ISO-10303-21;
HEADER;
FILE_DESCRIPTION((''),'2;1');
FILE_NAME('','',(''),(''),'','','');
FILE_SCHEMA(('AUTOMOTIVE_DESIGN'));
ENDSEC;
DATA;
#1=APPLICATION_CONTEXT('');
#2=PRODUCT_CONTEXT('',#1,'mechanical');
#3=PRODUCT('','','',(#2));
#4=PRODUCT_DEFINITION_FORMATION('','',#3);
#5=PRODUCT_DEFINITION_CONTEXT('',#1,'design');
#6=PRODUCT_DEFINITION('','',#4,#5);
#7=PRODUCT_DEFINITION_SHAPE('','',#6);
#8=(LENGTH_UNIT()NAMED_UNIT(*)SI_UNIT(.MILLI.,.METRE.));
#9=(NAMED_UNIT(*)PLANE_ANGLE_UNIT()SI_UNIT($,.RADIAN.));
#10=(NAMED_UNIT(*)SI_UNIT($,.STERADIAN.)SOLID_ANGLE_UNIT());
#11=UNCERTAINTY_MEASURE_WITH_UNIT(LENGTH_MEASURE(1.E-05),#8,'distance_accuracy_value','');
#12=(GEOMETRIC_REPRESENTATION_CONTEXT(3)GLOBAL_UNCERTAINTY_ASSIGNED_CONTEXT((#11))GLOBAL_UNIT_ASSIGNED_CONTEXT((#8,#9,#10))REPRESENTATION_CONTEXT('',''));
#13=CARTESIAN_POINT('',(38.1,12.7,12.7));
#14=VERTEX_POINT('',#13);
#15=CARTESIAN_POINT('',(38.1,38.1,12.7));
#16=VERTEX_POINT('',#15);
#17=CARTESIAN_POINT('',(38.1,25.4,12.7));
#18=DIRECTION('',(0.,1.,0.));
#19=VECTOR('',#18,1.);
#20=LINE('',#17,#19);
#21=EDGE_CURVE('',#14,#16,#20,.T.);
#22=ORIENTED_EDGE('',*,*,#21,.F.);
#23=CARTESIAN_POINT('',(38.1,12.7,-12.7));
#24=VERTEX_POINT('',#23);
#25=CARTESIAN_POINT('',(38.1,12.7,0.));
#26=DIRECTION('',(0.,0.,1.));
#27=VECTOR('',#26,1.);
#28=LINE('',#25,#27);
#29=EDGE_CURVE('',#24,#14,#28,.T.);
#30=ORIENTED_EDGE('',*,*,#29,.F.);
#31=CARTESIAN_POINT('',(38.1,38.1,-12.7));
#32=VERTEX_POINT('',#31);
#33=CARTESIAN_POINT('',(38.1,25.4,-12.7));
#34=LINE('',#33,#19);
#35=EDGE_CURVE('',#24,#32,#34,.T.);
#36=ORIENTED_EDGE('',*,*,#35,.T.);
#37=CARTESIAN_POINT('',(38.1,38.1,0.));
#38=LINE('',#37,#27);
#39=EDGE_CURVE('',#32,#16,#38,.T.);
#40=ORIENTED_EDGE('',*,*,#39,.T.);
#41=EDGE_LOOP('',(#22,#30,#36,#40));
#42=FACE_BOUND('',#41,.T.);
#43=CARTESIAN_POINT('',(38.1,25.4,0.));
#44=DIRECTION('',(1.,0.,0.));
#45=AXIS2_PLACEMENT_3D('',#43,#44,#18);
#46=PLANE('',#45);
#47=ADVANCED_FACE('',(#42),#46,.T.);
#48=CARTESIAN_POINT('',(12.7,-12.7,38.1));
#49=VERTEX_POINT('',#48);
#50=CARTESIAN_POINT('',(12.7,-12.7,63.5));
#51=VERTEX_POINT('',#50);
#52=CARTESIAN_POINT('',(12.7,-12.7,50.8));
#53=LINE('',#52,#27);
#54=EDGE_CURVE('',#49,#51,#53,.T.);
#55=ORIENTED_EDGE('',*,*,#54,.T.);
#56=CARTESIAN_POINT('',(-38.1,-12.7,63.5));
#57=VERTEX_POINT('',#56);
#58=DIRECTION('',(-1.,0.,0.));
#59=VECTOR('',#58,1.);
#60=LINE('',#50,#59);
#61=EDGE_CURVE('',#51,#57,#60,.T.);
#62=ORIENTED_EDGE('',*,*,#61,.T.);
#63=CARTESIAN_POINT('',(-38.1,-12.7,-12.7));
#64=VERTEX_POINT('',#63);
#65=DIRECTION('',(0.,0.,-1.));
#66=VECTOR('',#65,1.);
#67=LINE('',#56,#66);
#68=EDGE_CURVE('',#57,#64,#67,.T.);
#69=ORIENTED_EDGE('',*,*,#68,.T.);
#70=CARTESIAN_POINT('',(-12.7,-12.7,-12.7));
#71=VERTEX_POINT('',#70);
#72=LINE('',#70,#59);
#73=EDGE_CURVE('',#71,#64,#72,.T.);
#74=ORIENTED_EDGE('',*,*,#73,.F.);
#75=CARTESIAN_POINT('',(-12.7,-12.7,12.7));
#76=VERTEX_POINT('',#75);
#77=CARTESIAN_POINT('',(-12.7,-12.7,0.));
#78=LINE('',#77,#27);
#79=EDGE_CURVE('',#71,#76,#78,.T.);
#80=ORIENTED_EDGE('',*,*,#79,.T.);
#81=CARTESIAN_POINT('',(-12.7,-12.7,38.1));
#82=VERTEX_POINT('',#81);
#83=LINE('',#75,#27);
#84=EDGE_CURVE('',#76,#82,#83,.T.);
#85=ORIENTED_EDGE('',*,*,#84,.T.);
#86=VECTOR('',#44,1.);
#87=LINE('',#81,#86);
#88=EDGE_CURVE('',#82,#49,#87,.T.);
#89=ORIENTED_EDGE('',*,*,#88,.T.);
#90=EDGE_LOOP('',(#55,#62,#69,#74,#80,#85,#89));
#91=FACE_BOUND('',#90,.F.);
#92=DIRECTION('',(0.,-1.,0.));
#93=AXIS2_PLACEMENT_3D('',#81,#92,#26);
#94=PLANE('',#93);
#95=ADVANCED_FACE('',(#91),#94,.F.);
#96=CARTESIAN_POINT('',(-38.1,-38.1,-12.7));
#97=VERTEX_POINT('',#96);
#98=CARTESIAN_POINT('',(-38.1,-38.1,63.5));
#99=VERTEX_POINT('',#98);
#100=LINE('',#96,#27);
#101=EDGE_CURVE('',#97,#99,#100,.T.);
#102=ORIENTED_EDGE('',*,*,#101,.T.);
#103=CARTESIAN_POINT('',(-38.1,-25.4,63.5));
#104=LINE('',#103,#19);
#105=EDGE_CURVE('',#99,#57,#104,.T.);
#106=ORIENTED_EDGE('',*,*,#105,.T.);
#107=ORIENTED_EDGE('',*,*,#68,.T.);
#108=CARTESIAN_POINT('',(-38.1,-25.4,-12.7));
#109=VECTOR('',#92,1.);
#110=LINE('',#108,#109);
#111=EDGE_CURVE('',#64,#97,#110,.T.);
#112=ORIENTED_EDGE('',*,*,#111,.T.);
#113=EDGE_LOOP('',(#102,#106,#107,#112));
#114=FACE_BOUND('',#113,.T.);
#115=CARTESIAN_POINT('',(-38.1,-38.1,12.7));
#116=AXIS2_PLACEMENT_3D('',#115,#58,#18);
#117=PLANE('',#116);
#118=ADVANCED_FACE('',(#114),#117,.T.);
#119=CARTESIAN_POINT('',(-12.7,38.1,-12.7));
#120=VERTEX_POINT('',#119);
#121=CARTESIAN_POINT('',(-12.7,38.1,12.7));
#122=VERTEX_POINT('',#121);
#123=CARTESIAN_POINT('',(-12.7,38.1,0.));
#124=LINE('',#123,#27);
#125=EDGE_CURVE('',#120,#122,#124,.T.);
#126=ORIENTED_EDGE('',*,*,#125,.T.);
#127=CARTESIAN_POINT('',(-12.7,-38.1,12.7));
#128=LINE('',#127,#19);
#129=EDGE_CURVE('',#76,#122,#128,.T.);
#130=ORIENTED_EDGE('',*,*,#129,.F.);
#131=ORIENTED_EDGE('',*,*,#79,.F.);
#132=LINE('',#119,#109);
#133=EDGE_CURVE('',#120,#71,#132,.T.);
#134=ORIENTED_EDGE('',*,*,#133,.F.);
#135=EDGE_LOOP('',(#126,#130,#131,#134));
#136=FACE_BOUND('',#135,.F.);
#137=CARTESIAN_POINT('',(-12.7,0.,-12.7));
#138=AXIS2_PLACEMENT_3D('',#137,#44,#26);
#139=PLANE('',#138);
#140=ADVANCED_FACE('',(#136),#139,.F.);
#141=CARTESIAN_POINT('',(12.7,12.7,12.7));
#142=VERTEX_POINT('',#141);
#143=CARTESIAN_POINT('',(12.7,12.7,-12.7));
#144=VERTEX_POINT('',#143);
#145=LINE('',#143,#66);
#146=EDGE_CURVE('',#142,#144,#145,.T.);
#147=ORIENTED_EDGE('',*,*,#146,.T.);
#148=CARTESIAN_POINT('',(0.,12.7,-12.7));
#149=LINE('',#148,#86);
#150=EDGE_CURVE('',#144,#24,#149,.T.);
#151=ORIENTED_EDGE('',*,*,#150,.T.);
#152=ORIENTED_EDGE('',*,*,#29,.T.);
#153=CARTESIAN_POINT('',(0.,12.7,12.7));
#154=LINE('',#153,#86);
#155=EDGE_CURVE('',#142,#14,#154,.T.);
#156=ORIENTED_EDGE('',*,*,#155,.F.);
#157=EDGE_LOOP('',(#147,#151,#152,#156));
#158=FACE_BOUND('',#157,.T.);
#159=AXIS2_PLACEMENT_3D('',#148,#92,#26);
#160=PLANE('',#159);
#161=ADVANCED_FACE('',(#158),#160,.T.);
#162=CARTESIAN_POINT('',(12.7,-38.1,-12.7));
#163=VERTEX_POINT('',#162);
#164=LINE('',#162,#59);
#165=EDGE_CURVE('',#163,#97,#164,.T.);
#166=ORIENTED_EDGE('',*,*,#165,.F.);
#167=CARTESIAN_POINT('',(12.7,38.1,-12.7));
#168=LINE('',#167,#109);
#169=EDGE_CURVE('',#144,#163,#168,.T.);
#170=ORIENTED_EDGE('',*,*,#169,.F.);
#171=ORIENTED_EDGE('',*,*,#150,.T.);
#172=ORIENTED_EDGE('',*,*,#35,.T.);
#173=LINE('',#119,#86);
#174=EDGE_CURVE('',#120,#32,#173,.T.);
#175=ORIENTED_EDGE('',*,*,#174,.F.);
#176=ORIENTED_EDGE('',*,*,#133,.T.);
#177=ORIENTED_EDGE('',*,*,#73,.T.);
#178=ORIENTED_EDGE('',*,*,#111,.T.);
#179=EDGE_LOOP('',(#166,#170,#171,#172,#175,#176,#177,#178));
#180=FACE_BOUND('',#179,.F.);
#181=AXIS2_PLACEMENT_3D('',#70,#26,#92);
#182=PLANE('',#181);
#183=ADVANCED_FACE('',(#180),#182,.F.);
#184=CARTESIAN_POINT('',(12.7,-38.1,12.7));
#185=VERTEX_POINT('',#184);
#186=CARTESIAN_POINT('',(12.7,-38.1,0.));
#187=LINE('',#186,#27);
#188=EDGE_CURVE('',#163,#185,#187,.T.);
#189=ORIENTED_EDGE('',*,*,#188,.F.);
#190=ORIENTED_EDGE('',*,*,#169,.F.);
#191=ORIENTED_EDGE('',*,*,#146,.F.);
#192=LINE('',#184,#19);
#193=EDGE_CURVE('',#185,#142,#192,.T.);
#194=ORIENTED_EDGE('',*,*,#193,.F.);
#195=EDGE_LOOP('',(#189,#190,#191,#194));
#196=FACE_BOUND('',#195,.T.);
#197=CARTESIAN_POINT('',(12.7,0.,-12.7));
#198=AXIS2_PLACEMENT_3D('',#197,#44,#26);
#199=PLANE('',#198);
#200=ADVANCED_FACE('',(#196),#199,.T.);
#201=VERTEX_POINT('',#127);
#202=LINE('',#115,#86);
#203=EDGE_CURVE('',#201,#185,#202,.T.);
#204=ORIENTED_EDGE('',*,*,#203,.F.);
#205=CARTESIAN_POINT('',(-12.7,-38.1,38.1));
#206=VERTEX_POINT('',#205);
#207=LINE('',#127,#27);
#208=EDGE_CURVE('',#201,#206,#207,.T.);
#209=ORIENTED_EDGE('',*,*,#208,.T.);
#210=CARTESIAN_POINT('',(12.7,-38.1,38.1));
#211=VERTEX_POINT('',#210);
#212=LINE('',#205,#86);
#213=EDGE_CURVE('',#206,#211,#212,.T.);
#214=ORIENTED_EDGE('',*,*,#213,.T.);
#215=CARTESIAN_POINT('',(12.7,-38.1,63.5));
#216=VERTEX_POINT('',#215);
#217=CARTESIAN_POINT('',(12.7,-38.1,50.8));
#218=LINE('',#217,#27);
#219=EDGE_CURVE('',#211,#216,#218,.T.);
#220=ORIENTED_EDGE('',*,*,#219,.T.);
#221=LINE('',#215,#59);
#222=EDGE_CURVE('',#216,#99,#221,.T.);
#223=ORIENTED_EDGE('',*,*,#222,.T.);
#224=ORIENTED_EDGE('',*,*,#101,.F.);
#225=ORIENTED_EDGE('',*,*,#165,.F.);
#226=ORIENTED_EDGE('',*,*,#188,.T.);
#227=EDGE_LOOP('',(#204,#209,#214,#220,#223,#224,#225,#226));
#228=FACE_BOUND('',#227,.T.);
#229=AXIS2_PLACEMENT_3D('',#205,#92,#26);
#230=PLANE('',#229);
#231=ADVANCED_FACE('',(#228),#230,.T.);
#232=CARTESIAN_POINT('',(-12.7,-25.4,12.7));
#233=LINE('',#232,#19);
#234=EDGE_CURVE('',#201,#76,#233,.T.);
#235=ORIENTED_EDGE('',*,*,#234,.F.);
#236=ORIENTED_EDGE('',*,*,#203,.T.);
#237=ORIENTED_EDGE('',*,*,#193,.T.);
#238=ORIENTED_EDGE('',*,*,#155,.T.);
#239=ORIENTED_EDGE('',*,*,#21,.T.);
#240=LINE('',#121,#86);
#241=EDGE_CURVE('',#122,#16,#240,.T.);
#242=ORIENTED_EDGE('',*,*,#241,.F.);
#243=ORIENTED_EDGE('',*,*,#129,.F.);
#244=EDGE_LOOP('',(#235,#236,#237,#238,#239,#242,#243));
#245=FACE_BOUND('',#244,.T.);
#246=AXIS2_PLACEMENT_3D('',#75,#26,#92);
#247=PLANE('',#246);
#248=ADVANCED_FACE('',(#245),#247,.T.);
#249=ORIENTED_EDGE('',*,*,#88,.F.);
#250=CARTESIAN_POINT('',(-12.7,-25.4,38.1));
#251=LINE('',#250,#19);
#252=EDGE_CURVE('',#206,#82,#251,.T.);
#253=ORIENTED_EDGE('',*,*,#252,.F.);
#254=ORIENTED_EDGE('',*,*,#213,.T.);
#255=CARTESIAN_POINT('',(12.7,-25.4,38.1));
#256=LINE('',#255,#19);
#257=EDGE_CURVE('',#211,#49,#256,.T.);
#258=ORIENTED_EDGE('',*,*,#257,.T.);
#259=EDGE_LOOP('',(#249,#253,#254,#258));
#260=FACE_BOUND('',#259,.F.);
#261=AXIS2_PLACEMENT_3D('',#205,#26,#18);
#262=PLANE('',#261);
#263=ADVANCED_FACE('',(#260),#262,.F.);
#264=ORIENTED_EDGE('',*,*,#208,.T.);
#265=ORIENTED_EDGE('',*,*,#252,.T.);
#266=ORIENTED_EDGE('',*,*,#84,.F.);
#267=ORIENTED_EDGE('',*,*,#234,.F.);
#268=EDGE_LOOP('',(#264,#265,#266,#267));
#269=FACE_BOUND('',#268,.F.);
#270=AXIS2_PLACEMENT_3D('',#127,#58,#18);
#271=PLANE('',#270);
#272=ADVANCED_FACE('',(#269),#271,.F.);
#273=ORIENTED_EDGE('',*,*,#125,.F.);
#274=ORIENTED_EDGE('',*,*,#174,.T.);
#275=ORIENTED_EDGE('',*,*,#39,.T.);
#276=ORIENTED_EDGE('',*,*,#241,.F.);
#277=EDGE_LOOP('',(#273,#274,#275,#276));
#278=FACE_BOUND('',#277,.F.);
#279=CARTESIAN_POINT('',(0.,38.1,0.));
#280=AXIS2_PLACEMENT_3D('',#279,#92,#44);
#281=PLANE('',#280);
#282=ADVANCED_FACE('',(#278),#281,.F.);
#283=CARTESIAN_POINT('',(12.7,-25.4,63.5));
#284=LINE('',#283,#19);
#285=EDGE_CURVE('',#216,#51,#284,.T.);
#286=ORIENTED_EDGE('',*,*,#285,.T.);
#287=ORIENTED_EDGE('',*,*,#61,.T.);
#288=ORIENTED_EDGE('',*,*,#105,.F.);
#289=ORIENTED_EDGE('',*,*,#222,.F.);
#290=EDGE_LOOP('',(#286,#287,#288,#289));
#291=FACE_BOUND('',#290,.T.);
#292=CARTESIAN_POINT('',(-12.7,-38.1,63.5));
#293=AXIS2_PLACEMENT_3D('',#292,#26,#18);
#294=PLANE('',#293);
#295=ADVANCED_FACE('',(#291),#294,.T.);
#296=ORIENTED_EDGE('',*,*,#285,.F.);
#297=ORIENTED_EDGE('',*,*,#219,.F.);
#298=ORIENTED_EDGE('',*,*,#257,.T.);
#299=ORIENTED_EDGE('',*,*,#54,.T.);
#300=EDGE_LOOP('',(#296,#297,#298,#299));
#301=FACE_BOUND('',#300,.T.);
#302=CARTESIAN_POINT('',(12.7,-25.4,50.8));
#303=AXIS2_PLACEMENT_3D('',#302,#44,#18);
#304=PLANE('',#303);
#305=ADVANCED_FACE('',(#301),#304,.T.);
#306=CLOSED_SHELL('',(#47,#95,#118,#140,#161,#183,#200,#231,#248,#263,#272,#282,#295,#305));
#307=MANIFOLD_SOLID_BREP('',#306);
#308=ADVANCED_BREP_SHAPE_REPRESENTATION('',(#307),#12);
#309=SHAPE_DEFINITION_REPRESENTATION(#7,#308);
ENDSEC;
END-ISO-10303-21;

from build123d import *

# Parameters (mm, degrees)
F0_W     = 25.4
F0_H     = 25.4
F1_DEPTH = 38.1
F2_W     = 25.4
F2_H     = 25.4
F3_DEPTH = 38.1
F4_W     = 25.4
F4_H     = 25.4
F5_DEPTH = 25.4
F6_W     = 25.4
F6_H     = 25.4
F7_DEPTH = 50.8
F8_W     = 25.4
F8_H     = 25.4
F9_DEPTH = 25.4


with BuildPart() as f1:
    # F0 (on Front) → F1 (new body, symmetric)
    with BuildSketch(Plane.XZ):
        Rectangle(F0_W, F0_H)
    extrude(amount=F1_DEPTH, both=True)

    # F2 (on Right) → F3 (join)
    with BuildSketch(Plane.YZ):
        with Locations((25.4, 0)):
            Rectangle(F2_W, F2_H)
    extrude(amount=F3_DEPTH)

    # F4 (on face) → F5 (join)
    with BuildSketch(Plane(origin=(-12.7, 0, 0), x_dir=(0, -1, 0), z_dir=(-1, 0, 0))):
        with Locations((25.4, 0)):
            Rectangle(F4_W, F4_H)
    extrude(amount=F5_DEPTH)

    # F6 (on face) → F7 (join)
    with BuildSketch(Plane.XY.offset(12.7)):
        with Locations((-25.4, -25.4)):
            Rectangle(F6_W, F6_H)
    extrude(amount=F7_DEPTH)

    # F8 (on face) → F9 (join)
    with BuildSketch(Plane.YZ.offset(-12.7)):
        with Locations((-25.4, 50.8)):
            Rectangle(F8_W, F8_H)
    extrude(amount=F9_DEPTH)


solid = f1.part
